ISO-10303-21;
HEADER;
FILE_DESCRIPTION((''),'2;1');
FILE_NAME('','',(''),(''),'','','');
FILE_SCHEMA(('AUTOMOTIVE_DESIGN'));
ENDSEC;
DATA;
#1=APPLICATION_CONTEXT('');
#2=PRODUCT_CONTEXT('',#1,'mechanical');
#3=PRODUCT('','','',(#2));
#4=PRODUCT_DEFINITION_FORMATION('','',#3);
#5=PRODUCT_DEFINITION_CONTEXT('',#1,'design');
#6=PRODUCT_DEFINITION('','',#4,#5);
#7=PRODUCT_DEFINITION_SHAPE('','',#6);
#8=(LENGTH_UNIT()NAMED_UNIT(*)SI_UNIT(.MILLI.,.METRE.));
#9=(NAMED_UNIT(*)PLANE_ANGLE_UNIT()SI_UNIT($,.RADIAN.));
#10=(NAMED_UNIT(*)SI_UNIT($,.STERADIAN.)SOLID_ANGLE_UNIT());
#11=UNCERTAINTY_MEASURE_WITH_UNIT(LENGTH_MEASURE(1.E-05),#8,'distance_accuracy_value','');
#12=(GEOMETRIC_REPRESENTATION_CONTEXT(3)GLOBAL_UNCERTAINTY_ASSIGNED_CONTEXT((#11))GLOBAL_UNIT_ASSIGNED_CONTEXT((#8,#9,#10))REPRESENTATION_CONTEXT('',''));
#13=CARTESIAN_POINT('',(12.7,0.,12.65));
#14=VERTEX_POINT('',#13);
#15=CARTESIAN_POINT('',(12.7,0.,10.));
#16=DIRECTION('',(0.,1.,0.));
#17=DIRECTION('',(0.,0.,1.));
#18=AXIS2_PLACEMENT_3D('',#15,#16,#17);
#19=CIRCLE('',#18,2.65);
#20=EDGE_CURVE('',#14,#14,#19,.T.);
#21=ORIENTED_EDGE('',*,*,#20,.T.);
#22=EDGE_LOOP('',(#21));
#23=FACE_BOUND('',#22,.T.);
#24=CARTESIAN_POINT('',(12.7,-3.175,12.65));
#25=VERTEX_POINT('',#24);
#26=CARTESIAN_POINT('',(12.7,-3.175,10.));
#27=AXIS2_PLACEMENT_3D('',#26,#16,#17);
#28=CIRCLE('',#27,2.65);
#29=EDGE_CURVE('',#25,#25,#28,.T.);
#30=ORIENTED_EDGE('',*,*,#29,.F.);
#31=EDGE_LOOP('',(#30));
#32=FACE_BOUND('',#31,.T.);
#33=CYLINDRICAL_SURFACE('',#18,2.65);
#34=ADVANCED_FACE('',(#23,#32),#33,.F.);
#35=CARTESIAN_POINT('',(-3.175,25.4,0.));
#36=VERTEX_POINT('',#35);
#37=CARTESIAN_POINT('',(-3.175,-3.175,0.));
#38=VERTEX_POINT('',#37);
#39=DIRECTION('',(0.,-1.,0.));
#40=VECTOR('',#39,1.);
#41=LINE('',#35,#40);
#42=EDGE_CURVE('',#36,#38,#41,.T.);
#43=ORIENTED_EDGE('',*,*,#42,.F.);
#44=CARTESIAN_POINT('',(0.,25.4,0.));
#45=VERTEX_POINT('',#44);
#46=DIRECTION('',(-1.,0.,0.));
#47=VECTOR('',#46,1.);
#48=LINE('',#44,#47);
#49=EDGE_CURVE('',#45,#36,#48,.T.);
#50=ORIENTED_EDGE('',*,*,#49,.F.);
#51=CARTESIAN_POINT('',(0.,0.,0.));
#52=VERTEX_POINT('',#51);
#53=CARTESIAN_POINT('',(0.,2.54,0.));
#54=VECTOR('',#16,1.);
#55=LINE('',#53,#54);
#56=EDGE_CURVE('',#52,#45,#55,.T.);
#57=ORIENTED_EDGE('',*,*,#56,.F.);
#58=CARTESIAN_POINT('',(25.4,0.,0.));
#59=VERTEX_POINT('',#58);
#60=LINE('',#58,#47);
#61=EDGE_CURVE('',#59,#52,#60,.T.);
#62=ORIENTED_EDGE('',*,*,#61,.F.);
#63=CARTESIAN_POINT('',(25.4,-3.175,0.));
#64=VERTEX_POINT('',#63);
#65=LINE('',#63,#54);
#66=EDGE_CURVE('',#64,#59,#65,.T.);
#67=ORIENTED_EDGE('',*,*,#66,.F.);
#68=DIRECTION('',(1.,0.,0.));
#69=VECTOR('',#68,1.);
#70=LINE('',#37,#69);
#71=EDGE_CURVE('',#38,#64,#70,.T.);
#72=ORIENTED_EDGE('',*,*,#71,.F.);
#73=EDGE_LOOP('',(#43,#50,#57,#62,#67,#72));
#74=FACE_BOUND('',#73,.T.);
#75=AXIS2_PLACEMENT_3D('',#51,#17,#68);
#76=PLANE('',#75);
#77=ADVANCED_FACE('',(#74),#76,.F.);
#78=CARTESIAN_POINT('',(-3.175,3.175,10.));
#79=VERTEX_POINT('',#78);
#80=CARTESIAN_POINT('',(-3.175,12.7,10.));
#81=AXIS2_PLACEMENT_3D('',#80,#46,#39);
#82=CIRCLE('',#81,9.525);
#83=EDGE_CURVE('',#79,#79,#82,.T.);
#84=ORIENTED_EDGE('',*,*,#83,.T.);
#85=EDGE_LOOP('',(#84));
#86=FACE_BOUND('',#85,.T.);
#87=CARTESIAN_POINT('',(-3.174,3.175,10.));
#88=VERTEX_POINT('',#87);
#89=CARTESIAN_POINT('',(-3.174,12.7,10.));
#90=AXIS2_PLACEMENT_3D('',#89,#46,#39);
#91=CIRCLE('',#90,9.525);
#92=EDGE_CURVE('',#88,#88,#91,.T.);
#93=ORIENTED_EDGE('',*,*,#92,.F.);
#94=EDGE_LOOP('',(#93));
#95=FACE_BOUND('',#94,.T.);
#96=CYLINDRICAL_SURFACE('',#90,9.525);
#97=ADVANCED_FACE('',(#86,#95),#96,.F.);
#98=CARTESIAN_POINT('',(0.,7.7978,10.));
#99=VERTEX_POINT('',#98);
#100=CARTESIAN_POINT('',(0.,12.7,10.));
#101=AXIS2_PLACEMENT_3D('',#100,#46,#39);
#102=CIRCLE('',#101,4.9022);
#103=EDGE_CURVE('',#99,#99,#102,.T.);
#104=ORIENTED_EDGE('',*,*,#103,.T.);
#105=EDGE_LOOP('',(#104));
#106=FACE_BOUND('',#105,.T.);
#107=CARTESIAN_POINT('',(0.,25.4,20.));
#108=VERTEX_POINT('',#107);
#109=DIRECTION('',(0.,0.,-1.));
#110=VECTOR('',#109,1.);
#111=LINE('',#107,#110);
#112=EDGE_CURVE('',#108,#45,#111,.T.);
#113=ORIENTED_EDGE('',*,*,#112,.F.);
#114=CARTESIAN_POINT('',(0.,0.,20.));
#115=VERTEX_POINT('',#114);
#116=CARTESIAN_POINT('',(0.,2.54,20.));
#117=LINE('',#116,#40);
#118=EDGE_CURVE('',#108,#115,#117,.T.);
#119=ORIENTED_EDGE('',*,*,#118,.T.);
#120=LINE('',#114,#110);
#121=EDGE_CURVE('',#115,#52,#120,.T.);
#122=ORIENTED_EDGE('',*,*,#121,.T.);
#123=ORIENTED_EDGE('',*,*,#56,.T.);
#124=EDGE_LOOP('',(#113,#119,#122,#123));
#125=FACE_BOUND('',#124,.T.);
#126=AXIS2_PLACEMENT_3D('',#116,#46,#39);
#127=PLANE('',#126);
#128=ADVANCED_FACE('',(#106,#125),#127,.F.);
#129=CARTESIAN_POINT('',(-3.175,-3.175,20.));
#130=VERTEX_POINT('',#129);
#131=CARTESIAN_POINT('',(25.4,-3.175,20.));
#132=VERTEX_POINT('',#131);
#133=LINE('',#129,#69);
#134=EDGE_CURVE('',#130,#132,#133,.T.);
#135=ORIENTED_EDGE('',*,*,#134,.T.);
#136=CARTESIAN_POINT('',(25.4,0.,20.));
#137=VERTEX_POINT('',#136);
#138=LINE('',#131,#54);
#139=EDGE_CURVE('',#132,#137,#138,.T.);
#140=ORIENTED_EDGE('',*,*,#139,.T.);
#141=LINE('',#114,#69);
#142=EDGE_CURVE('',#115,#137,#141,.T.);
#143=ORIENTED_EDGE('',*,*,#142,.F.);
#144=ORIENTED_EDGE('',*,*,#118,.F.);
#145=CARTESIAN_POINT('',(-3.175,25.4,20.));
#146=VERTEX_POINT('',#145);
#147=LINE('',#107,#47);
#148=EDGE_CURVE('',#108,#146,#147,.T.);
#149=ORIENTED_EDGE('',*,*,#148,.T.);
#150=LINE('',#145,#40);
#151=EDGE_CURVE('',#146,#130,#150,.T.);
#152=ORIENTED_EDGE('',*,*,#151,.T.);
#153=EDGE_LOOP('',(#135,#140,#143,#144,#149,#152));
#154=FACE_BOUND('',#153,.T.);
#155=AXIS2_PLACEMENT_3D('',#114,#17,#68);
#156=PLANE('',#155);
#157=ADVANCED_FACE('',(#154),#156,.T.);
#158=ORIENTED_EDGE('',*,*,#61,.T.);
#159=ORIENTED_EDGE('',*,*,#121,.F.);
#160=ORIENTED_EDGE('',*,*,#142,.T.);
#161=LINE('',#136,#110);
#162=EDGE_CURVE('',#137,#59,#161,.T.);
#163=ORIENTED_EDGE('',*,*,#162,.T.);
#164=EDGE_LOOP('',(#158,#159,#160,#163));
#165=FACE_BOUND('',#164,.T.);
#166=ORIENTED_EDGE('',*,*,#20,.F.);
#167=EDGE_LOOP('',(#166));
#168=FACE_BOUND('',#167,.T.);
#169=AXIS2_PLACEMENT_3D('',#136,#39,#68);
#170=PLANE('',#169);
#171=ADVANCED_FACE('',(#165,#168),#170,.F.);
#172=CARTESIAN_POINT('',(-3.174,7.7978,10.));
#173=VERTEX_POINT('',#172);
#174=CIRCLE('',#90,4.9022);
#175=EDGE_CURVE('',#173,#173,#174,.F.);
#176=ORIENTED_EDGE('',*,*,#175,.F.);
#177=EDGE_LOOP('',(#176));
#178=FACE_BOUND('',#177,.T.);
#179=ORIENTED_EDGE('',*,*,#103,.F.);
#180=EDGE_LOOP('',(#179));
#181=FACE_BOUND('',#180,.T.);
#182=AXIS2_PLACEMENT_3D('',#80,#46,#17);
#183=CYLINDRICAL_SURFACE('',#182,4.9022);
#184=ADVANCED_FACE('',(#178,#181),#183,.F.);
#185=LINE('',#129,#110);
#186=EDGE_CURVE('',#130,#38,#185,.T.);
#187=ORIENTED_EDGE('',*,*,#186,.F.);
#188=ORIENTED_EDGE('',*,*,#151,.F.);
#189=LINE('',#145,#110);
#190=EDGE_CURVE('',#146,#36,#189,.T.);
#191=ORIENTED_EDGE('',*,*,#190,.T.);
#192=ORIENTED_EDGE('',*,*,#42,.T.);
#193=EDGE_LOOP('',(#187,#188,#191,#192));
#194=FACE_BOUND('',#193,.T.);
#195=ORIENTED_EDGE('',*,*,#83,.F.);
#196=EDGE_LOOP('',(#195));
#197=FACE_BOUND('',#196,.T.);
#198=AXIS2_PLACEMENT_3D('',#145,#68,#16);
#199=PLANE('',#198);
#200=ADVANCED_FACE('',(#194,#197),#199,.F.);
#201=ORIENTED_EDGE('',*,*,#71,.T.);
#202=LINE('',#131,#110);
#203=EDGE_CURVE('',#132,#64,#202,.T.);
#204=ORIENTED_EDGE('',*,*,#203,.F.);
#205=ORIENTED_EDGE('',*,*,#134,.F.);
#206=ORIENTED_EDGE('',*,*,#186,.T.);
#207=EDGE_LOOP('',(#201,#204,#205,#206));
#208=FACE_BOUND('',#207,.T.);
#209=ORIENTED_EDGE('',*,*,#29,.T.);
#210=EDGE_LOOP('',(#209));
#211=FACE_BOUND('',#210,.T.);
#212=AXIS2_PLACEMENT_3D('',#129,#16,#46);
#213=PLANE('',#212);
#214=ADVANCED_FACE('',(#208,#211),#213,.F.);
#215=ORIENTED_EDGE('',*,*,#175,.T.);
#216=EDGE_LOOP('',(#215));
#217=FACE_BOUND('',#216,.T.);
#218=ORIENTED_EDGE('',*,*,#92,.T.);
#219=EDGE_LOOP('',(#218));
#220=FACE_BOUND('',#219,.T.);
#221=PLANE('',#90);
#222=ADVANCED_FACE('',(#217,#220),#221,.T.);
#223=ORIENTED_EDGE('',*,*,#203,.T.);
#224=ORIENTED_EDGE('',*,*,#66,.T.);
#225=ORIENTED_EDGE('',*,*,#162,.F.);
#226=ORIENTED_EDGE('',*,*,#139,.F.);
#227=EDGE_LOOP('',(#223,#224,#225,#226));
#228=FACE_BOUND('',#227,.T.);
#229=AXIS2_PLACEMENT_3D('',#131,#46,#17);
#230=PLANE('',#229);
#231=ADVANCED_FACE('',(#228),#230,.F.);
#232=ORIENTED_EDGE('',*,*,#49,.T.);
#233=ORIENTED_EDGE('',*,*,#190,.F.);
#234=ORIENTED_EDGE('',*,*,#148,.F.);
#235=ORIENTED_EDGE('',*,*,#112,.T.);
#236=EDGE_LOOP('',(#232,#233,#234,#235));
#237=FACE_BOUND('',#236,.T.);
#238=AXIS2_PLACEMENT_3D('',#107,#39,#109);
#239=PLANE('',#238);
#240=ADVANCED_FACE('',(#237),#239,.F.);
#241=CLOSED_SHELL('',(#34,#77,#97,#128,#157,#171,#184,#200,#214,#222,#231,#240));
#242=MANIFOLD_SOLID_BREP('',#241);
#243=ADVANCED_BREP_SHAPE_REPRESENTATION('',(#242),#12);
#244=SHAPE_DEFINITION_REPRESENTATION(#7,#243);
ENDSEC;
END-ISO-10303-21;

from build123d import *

# Parameters (mm, degrees)
BOSS_EXTRUDE1_DEPTH     = 20
F_3_8_CLEARANCE_HOLE1_D = 9.8044
M5_CLEARANCE_HOLE1_D    = 5.3
SKETCH2_R               = 9.525
CUT_EXTRUDE1_DEPTH      = 0.001


with BuildPart() as part:
    # Sketch1 → Boss-Extrude1 (new body)
    with BuildSketch(Plane.XY):
        Polygon((0, 2.54), (0, 25.4), (-3.175, 25.4), (-3.175, -3.175), (25.4, -3.175), (25.4, 0), (2.54, 0), (0, 0), align=None)
    extrude(amount=BOSS_EXTRUDE1_DEPTH)

    # 3/8 Clearance Hole1 (through all)
    with Locations(Plane.ZY.offset(3.175)):
        with Locations((10, 12.7)):
            Hole(F_3_8_CLEARANCE_HOLE1_D / 2)

    # M5 Clearance Hole1 (through all)
    with Locations(Plane(origin=(0, 0, 0), x_dir=(1, 0, 0), z_dir=(0, 1, 0))):
        with Locations((12.7, -10)):
            Hole(M5_CLEARANCE_HOLE1_D / 2)

    # Sketch2 → Cut-Extrude1 (cut)
    with BuildSketch(Plane.ZY.offset(3.175)):
        with Locations((10, 12.7)):
            Circle(SKETCH2_R)
    extrude(amount=-CUT_EXTRUDE1_DEPTH, mode=Mode.SUBTRACT)


solid = part.part
